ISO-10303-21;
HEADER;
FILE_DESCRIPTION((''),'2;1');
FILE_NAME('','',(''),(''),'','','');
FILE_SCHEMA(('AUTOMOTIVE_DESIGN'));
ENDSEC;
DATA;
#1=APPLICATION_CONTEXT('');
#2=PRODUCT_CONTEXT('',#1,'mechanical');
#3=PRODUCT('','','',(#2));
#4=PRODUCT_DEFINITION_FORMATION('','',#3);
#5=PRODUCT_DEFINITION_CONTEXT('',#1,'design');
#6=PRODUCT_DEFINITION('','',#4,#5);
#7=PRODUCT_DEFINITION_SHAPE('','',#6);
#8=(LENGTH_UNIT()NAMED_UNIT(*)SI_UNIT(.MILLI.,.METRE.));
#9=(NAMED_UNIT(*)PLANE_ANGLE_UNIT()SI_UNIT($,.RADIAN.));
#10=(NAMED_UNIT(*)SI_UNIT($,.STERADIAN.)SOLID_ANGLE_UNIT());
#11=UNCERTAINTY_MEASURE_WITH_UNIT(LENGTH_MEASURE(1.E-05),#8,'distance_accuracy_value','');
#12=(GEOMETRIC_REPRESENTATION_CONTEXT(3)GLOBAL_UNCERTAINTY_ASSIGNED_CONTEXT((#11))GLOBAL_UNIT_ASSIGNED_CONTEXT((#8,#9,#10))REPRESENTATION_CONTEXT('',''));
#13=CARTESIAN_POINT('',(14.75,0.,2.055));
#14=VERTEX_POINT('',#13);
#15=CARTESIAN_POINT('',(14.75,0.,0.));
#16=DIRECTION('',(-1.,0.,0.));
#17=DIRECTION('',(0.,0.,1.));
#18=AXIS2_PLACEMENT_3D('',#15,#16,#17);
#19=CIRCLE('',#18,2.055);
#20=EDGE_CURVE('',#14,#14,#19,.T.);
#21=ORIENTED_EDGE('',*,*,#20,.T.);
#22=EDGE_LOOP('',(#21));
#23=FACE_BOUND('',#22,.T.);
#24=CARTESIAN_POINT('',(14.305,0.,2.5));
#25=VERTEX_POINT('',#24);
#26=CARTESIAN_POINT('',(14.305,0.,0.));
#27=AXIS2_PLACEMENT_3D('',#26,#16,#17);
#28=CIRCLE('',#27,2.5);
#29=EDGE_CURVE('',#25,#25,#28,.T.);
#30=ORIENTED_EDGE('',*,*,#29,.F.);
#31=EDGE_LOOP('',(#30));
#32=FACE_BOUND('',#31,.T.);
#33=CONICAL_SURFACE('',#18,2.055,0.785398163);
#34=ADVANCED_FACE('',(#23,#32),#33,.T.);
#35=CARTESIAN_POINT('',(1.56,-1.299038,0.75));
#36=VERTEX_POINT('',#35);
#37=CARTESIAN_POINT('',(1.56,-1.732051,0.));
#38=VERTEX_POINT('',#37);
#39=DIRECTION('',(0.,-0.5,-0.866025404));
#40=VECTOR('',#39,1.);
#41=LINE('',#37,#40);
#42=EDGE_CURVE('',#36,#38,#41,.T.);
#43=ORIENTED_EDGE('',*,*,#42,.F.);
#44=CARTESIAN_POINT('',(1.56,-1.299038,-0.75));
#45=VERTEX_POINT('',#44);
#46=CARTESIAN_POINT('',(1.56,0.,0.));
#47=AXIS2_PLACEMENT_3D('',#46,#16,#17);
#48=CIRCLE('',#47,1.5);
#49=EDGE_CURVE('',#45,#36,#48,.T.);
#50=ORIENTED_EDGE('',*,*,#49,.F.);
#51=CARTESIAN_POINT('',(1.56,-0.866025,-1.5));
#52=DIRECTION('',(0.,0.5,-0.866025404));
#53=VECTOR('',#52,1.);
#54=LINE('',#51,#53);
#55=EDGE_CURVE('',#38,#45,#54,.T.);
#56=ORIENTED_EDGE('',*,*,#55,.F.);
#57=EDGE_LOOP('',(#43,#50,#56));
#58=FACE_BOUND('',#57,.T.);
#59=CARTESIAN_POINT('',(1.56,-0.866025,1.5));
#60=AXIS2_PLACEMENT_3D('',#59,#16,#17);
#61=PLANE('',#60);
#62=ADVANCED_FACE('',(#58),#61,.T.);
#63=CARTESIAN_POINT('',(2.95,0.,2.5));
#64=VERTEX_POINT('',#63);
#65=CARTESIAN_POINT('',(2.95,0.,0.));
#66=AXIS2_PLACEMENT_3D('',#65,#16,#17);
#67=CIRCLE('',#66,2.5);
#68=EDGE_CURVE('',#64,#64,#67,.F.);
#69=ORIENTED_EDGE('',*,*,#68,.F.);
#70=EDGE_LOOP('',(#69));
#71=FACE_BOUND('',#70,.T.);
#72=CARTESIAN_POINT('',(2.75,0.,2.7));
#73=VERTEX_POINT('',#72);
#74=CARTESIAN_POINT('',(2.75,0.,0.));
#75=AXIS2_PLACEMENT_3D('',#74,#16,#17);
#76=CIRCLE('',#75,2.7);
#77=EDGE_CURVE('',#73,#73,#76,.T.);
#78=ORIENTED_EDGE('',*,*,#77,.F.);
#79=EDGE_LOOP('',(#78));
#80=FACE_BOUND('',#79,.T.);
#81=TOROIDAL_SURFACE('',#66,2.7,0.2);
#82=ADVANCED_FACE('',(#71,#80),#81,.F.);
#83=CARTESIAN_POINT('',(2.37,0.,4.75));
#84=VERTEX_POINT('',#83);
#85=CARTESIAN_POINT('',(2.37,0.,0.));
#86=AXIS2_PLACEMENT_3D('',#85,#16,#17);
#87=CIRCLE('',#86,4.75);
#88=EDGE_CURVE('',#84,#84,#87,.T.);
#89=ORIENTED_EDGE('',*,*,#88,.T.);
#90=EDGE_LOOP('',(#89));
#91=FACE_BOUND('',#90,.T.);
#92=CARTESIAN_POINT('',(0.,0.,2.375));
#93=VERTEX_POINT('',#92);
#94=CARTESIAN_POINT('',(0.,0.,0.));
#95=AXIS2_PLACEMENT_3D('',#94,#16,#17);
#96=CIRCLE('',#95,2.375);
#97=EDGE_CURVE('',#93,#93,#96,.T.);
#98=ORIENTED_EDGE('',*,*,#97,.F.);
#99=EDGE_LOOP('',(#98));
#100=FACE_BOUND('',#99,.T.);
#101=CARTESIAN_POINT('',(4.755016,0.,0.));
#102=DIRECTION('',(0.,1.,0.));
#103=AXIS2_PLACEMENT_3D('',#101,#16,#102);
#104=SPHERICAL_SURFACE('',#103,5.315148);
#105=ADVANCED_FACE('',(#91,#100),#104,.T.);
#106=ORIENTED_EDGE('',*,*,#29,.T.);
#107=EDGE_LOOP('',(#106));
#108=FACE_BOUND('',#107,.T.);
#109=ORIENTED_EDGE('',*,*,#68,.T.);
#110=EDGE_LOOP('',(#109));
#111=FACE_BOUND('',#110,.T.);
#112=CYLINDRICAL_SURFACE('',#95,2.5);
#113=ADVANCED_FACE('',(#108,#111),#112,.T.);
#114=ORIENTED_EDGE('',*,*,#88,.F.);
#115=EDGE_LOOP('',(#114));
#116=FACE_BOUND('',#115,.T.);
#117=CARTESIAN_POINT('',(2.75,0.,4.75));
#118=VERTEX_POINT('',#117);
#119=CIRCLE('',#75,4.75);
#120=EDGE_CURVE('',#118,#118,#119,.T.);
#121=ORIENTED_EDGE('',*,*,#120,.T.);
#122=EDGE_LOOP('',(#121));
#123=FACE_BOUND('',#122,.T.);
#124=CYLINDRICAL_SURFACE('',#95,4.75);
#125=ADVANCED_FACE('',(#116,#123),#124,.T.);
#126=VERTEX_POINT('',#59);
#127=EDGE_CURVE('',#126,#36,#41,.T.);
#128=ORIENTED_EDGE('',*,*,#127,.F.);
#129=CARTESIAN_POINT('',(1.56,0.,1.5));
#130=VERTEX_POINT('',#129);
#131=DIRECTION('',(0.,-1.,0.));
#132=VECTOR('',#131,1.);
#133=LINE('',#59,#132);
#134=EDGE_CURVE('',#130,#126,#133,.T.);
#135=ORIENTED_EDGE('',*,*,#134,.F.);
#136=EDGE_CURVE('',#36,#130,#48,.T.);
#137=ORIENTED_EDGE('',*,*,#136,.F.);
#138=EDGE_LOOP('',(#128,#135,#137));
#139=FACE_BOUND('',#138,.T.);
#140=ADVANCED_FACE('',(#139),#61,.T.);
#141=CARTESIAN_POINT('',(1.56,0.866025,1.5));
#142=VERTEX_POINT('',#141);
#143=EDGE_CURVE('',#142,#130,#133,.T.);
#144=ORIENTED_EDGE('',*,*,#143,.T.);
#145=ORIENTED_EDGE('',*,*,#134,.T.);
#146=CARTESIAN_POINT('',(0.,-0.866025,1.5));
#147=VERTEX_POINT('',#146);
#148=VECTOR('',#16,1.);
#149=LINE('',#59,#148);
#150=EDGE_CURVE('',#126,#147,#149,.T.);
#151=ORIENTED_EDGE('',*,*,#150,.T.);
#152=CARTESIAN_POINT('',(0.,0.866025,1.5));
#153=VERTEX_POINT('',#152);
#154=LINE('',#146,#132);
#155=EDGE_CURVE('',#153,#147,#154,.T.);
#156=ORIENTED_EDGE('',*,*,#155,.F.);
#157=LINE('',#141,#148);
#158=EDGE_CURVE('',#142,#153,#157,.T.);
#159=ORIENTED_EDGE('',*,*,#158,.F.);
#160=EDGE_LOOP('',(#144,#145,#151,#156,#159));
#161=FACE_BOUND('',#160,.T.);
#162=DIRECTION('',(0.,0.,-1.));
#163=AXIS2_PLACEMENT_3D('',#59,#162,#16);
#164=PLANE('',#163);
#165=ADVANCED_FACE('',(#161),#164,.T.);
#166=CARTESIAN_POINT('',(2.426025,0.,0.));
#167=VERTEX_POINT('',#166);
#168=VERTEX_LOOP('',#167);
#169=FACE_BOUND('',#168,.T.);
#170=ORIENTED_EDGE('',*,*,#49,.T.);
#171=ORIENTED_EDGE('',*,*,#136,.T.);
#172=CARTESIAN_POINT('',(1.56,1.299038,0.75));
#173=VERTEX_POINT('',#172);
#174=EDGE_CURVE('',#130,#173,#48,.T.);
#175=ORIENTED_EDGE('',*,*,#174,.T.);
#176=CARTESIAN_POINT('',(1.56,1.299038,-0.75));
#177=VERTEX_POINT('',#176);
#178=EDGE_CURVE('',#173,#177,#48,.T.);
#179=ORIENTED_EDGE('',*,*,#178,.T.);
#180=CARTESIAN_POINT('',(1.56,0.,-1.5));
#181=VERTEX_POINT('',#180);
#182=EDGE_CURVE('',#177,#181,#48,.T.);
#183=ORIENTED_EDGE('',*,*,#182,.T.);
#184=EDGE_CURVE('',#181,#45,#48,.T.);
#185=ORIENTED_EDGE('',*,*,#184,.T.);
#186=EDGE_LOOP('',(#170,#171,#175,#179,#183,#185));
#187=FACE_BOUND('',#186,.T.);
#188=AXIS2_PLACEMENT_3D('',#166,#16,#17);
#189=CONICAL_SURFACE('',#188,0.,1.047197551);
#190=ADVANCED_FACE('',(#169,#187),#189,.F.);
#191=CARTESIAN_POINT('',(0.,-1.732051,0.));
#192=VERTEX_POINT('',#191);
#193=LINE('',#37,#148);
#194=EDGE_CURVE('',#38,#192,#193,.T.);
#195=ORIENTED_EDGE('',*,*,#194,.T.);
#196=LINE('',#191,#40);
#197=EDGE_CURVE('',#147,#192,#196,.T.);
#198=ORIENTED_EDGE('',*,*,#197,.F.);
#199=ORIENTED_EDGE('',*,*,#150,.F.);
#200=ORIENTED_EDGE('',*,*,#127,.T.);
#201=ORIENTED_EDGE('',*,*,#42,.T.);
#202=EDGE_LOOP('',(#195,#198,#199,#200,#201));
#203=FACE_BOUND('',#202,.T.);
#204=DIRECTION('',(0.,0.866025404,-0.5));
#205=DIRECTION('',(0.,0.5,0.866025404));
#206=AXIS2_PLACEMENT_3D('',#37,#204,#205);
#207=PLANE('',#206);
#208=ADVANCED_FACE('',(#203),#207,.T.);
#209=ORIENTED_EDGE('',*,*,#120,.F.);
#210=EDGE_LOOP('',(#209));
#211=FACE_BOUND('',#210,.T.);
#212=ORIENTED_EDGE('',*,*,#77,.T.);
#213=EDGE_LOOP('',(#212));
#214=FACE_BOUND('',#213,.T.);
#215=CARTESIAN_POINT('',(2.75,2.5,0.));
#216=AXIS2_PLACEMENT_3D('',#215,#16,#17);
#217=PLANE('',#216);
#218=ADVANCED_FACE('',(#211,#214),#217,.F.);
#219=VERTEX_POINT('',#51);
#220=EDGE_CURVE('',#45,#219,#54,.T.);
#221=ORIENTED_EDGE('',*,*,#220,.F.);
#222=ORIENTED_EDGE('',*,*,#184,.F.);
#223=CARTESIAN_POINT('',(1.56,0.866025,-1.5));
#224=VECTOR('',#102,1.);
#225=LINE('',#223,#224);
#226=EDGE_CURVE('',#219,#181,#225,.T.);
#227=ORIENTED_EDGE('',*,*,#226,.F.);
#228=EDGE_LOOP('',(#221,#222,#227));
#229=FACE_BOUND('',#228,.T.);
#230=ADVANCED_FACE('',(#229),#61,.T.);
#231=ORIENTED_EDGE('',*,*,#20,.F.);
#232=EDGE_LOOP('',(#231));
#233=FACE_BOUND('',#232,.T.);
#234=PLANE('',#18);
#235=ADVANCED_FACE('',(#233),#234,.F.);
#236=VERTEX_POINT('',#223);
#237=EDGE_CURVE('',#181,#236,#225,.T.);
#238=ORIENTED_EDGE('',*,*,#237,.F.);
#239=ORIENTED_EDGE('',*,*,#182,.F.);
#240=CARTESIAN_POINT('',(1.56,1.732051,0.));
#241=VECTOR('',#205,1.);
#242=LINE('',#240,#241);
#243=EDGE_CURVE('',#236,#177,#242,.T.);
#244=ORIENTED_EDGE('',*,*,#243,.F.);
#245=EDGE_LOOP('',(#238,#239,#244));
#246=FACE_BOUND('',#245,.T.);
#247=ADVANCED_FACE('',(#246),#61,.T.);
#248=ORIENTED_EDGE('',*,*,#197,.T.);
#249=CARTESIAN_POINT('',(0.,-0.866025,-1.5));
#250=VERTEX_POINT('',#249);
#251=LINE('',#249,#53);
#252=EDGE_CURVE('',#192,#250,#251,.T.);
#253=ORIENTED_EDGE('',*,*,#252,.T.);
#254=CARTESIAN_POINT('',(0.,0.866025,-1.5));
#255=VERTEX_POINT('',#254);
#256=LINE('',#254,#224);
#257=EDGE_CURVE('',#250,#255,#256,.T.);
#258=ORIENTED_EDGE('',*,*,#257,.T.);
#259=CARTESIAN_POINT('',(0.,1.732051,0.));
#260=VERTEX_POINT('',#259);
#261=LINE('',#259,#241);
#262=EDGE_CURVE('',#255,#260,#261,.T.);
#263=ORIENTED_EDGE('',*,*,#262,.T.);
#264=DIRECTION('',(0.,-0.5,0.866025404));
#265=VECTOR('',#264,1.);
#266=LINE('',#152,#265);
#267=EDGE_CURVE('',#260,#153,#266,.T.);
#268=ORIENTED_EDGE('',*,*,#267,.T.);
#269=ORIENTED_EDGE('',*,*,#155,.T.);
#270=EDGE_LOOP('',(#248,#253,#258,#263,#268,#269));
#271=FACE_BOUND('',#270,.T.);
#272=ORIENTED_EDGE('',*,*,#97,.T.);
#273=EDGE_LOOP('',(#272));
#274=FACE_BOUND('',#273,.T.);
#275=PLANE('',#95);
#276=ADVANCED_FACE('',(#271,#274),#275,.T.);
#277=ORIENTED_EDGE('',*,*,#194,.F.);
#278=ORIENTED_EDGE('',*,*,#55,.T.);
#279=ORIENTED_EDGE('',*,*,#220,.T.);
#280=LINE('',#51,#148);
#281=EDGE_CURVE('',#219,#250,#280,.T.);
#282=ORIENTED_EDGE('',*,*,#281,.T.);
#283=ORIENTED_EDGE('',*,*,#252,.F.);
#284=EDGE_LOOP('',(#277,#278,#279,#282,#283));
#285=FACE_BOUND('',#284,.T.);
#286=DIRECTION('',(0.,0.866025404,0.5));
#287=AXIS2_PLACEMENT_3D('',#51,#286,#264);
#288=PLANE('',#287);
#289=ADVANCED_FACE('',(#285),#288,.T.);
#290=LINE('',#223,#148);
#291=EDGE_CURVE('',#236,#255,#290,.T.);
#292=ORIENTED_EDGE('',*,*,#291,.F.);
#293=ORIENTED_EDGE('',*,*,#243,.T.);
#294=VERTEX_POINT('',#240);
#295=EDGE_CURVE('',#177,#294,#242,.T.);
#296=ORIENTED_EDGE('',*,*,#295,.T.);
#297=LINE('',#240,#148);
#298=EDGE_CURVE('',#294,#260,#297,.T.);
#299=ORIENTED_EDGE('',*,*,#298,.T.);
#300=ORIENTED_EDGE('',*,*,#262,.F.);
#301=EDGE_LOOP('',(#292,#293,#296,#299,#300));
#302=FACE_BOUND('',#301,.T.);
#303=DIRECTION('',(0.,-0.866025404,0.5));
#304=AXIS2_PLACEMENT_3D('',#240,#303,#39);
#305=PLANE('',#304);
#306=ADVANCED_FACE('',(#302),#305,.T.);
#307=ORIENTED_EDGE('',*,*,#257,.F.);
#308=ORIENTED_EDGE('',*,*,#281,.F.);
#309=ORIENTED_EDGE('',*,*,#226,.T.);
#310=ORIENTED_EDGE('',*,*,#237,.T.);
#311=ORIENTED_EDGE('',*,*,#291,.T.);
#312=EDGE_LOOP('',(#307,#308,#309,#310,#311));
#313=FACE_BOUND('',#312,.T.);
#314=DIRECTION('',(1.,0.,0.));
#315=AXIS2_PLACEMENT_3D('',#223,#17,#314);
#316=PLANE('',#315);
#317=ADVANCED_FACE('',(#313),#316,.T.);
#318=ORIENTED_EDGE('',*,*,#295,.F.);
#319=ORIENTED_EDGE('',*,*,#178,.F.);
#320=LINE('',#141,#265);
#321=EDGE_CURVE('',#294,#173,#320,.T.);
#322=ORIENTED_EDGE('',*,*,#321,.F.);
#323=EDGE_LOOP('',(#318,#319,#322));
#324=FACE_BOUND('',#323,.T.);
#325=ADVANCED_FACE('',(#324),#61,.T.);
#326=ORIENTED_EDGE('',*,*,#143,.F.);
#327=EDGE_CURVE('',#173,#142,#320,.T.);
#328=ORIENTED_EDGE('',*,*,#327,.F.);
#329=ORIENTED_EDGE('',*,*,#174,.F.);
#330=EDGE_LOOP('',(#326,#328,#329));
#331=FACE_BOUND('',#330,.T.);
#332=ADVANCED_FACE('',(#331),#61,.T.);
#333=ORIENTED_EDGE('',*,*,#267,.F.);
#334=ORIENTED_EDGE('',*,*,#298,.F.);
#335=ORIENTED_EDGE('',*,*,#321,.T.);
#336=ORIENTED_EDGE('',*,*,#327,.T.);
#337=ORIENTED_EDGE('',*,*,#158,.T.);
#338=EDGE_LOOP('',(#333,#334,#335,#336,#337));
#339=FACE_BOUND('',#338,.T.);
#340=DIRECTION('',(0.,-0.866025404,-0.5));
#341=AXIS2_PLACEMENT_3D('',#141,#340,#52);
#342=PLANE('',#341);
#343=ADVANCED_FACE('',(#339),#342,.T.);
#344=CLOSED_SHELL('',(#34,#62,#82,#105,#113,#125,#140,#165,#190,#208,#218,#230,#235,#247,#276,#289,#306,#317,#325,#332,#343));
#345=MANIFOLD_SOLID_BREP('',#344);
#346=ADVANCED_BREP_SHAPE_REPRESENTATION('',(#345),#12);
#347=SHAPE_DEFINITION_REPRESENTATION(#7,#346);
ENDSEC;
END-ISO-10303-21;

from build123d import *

# Parameters (mm, degrees)
FILLET1_R   = 0.2
HEX_2_DEPTH = 1.56


with BuildPart() as part:
    # BodySke → BaseBody (revolve)
    with BuildSketch(Plane.XY):
        with BuildLine():
            Line((14.75, 0), (14.75, 2.055))
            Line((14.75, 2.055), (14.305, 2.5))
            Line((14.305, 2.5), (2.75, 2.5))
            Line((2.75, 2.5), (2.75, 4.75))
            Line((2.75, 4.75), (2.37, 4.75))
            ThreePointArc((2.37, 4.75), (0.992680215, 3.754414901), (0, 2.375))
            Line((0, 2.375), (0, 0))
            Line((0, 0), (14.75, 0))
        make_face()
    revolve(axis=Axis((0, 0, 0), (1, 0, 0)))

    # Fillet1
    fillet1_edges = [part.edges().sort_by_distance(p)[0] for p in [
        (2.75, -2.5, 0),
    ]]
    fillet(fillet1_edges, radius=FILLET1_R)

    # Sketch2 → PreBroach (revolve, cut)
    with BuildSketch(Plane.XY):
        Polygon((0, 1.5), (1.56, 1.5), (2.426025404, 0), (0, 0), align=None)
    revolve(axis=Axis((0, 0, 0), (1, 0, 0)), mode=Mode.SUBTRACT)

    # Sketch3 → Hex 2 (cut)
    with BuildSketch(Plane(origin=(0, 0, 0), x_dir=(0, 0, -1), z_dir=(1, 0, 0))):
        Polygon((-1.5, -0.866025404), (-1.5, 0.866025404), (0, 1.732050808), (1.5, 0.866025404), (1.5, -0.866025404), (0, -1.732050808), align=None)
    extrude(amount=HEX_2_DEPTH, mode=Mode.SUBTRACT)


solid = part.part
